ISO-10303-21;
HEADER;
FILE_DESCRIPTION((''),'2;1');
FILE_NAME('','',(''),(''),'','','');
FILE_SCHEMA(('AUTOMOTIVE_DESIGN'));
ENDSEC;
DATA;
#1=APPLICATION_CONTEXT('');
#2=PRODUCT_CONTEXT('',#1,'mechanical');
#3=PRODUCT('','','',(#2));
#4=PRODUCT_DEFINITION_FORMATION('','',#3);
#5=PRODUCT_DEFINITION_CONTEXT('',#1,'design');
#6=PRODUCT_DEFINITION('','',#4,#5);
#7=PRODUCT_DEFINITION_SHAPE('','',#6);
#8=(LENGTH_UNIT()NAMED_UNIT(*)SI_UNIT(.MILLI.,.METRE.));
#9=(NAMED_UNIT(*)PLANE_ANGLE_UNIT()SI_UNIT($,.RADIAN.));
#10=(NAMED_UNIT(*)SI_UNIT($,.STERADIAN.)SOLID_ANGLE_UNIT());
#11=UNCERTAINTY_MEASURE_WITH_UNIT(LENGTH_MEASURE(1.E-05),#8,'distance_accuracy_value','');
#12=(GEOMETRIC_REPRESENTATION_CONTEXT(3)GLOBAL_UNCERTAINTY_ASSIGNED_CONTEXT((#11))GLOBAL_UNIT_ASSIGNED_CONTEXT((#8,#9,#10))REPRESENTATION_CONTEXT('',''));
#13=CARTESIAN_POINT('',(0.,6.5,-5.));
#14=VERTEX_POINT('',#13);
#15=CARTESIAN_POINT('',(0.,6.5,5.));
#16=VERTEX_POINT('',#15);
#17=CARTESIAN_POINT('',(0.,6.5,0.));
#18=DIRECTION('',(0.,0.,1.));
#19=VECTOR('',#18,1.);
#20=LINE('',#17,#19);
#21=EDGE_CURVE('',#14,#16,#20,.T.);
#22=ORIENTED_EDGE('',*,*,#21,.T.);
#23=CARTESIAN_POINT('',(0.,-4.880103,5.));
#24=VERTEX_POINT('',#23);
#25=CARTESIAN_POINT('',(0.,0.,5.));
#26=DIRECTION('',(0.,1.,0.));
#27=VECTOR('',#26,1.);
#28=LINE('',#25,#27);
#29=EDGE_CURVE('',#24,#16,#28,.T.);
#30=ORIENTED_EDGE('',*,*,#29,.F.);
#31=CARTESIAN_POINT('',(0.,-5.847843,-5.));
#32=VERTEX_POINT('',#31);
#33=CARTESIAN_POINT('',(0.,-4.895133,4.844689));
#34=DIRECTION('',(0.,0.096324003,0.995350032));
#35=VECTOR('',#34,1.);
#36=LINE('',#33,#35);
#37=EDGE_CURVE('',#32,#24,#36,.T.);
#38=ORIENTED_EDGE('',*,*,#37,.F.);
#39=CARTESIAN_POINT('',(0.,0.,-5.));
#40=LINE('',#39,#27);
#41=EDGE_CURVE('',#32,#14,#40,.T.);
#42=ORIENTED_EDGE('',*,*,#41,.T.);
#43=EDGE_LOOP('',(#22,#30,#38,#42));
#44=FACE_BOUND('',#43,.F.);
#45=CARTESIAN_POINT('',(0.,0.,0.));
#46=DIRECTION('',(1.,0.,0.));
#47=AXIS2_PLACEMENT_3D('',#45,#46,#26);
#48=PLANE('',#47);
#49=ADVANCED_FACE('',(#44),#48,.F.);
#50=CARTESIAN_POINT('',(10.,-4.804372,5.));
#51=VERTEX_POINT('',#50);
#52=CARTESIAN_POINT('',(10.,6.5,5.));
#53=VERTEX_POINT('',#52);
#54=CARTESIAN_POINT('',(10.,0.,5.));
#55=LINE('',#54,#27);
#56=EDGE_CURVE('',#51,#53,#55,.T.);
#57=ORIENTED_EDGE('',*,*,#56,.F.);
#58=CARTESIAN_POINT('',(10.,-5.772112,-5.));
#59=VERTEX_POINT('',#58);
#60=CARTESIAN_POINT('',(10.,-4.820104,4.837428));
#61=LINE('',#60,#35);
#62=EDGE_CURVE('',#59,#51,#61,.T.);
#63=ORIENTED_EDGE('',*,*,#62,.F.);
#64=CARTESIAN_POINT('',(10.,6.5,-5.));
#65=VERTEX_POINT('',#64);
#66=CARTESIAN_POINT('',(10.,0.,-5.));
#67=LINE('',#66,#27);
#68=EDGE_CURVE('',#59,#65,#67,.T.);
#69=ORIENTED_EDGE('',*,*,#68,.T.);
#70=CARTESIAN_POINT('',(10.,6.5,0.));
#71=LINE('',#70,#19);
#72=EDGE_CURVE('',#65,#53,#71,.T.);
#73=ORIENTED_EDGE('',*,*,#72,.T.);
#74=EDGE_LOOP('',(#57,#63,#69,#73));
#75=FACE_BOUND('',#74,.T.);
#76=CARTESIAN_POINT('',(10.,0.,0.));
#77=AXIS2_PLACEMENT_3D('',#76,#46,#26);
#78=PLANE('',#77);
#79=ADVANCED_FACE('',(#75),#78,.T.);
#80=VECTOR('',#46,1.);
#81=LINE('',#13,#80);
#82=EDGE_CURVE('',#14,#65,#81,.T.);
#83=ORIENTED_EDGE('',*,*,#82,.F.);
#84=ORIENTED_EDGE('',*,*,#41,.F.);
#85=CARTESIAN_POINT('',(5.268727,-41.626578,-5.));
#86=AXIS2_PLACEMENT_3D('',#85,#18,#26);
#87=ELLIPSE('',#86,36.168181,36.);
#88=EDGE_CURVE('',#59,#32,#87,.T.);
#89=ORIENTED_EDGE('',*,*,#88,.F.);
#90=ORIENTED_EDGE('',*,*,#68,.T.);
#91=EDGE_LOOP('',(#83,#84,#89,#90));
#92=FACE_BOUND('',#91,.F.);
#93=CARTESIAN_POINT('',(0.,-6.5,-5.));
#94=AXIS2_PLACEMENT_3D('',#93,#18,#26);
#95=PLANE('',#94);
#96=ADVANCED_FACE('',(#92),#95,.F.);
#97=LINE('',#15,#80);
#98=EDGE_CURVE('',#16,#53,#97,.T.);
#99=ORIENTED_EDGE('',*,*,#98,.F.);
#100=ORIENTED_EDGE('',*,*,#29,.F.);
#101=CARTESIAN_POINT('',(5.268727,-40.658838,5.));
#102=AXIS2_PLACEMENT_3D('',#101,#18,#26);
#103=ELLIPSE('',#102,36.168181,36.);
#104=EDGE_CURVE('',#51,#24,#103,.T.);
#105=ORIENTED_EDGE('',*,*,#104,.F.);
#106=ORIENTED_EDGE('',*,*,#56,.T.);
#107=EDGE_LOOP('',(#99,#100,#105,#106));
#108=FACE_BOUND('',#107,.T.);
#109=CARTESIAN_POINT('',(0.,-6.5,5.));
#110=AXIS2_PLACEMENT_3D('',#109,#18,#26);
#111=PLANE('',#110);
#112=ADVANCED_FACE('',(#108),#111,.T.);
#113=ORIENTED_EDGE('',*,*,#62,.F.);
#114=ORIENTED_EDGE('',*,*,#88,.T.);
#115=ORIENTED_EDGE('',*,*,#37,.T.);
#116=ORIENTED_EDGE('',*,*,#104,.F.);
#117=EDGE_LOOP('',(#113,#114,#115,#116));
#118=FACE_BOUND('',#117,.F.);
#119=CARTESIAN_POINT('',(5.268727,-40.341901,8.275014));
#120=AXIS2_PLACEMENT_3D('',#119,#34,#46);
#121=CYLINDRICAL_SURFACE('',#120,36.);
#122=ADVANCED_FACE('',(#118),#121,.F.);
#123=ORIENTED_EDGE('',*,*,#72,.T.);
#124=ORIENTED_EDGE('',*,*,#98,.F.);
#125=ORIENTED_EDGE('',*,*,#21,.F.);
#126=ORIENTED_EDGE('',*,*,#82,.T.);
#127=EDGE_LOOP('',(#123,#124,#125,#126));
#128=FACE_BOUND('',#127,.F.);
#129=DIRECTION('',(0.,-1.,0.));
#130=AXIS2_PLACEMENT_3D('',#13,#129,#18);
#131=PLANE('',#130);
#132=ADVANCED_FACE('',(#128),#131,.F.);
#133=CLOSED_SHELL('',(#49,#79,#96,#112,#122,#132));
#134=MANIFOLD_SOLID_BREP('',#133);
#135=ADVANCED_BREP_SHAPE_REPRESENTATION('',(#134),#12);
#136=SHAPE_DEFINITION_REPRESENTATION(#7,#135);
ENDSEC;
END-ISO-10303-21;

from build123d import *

# Parameters (mm, degrees)
F0_W     = 13
F0_H     = 10
F1_DEPTH = 10
F3_R     = 36
F4_DEPTH = 12.5


with BuildPart() as f1:
    # F0 (on Right) → F1 (new body)
    with BuildSketch(Plane.YZ):
        Rectangle(F0_W, F0_H)
    extrude(amount=F1_DEPTH)

    # F3 (on face) → F4 (cut, symmetric)
    with BuildSketch(Plane(origin=(0, 0.419072, 4.330412), x_dir=(1, 0, 0), z_dir=(0, 0.096324, 0.99535))):
        with Locations((5.268727, -40.951396)):
            Circle(F3_R)
    extrude(amount=F4_DEPTH, both=True, mode=Mode.SUBTRACT)


solid = f1.part
